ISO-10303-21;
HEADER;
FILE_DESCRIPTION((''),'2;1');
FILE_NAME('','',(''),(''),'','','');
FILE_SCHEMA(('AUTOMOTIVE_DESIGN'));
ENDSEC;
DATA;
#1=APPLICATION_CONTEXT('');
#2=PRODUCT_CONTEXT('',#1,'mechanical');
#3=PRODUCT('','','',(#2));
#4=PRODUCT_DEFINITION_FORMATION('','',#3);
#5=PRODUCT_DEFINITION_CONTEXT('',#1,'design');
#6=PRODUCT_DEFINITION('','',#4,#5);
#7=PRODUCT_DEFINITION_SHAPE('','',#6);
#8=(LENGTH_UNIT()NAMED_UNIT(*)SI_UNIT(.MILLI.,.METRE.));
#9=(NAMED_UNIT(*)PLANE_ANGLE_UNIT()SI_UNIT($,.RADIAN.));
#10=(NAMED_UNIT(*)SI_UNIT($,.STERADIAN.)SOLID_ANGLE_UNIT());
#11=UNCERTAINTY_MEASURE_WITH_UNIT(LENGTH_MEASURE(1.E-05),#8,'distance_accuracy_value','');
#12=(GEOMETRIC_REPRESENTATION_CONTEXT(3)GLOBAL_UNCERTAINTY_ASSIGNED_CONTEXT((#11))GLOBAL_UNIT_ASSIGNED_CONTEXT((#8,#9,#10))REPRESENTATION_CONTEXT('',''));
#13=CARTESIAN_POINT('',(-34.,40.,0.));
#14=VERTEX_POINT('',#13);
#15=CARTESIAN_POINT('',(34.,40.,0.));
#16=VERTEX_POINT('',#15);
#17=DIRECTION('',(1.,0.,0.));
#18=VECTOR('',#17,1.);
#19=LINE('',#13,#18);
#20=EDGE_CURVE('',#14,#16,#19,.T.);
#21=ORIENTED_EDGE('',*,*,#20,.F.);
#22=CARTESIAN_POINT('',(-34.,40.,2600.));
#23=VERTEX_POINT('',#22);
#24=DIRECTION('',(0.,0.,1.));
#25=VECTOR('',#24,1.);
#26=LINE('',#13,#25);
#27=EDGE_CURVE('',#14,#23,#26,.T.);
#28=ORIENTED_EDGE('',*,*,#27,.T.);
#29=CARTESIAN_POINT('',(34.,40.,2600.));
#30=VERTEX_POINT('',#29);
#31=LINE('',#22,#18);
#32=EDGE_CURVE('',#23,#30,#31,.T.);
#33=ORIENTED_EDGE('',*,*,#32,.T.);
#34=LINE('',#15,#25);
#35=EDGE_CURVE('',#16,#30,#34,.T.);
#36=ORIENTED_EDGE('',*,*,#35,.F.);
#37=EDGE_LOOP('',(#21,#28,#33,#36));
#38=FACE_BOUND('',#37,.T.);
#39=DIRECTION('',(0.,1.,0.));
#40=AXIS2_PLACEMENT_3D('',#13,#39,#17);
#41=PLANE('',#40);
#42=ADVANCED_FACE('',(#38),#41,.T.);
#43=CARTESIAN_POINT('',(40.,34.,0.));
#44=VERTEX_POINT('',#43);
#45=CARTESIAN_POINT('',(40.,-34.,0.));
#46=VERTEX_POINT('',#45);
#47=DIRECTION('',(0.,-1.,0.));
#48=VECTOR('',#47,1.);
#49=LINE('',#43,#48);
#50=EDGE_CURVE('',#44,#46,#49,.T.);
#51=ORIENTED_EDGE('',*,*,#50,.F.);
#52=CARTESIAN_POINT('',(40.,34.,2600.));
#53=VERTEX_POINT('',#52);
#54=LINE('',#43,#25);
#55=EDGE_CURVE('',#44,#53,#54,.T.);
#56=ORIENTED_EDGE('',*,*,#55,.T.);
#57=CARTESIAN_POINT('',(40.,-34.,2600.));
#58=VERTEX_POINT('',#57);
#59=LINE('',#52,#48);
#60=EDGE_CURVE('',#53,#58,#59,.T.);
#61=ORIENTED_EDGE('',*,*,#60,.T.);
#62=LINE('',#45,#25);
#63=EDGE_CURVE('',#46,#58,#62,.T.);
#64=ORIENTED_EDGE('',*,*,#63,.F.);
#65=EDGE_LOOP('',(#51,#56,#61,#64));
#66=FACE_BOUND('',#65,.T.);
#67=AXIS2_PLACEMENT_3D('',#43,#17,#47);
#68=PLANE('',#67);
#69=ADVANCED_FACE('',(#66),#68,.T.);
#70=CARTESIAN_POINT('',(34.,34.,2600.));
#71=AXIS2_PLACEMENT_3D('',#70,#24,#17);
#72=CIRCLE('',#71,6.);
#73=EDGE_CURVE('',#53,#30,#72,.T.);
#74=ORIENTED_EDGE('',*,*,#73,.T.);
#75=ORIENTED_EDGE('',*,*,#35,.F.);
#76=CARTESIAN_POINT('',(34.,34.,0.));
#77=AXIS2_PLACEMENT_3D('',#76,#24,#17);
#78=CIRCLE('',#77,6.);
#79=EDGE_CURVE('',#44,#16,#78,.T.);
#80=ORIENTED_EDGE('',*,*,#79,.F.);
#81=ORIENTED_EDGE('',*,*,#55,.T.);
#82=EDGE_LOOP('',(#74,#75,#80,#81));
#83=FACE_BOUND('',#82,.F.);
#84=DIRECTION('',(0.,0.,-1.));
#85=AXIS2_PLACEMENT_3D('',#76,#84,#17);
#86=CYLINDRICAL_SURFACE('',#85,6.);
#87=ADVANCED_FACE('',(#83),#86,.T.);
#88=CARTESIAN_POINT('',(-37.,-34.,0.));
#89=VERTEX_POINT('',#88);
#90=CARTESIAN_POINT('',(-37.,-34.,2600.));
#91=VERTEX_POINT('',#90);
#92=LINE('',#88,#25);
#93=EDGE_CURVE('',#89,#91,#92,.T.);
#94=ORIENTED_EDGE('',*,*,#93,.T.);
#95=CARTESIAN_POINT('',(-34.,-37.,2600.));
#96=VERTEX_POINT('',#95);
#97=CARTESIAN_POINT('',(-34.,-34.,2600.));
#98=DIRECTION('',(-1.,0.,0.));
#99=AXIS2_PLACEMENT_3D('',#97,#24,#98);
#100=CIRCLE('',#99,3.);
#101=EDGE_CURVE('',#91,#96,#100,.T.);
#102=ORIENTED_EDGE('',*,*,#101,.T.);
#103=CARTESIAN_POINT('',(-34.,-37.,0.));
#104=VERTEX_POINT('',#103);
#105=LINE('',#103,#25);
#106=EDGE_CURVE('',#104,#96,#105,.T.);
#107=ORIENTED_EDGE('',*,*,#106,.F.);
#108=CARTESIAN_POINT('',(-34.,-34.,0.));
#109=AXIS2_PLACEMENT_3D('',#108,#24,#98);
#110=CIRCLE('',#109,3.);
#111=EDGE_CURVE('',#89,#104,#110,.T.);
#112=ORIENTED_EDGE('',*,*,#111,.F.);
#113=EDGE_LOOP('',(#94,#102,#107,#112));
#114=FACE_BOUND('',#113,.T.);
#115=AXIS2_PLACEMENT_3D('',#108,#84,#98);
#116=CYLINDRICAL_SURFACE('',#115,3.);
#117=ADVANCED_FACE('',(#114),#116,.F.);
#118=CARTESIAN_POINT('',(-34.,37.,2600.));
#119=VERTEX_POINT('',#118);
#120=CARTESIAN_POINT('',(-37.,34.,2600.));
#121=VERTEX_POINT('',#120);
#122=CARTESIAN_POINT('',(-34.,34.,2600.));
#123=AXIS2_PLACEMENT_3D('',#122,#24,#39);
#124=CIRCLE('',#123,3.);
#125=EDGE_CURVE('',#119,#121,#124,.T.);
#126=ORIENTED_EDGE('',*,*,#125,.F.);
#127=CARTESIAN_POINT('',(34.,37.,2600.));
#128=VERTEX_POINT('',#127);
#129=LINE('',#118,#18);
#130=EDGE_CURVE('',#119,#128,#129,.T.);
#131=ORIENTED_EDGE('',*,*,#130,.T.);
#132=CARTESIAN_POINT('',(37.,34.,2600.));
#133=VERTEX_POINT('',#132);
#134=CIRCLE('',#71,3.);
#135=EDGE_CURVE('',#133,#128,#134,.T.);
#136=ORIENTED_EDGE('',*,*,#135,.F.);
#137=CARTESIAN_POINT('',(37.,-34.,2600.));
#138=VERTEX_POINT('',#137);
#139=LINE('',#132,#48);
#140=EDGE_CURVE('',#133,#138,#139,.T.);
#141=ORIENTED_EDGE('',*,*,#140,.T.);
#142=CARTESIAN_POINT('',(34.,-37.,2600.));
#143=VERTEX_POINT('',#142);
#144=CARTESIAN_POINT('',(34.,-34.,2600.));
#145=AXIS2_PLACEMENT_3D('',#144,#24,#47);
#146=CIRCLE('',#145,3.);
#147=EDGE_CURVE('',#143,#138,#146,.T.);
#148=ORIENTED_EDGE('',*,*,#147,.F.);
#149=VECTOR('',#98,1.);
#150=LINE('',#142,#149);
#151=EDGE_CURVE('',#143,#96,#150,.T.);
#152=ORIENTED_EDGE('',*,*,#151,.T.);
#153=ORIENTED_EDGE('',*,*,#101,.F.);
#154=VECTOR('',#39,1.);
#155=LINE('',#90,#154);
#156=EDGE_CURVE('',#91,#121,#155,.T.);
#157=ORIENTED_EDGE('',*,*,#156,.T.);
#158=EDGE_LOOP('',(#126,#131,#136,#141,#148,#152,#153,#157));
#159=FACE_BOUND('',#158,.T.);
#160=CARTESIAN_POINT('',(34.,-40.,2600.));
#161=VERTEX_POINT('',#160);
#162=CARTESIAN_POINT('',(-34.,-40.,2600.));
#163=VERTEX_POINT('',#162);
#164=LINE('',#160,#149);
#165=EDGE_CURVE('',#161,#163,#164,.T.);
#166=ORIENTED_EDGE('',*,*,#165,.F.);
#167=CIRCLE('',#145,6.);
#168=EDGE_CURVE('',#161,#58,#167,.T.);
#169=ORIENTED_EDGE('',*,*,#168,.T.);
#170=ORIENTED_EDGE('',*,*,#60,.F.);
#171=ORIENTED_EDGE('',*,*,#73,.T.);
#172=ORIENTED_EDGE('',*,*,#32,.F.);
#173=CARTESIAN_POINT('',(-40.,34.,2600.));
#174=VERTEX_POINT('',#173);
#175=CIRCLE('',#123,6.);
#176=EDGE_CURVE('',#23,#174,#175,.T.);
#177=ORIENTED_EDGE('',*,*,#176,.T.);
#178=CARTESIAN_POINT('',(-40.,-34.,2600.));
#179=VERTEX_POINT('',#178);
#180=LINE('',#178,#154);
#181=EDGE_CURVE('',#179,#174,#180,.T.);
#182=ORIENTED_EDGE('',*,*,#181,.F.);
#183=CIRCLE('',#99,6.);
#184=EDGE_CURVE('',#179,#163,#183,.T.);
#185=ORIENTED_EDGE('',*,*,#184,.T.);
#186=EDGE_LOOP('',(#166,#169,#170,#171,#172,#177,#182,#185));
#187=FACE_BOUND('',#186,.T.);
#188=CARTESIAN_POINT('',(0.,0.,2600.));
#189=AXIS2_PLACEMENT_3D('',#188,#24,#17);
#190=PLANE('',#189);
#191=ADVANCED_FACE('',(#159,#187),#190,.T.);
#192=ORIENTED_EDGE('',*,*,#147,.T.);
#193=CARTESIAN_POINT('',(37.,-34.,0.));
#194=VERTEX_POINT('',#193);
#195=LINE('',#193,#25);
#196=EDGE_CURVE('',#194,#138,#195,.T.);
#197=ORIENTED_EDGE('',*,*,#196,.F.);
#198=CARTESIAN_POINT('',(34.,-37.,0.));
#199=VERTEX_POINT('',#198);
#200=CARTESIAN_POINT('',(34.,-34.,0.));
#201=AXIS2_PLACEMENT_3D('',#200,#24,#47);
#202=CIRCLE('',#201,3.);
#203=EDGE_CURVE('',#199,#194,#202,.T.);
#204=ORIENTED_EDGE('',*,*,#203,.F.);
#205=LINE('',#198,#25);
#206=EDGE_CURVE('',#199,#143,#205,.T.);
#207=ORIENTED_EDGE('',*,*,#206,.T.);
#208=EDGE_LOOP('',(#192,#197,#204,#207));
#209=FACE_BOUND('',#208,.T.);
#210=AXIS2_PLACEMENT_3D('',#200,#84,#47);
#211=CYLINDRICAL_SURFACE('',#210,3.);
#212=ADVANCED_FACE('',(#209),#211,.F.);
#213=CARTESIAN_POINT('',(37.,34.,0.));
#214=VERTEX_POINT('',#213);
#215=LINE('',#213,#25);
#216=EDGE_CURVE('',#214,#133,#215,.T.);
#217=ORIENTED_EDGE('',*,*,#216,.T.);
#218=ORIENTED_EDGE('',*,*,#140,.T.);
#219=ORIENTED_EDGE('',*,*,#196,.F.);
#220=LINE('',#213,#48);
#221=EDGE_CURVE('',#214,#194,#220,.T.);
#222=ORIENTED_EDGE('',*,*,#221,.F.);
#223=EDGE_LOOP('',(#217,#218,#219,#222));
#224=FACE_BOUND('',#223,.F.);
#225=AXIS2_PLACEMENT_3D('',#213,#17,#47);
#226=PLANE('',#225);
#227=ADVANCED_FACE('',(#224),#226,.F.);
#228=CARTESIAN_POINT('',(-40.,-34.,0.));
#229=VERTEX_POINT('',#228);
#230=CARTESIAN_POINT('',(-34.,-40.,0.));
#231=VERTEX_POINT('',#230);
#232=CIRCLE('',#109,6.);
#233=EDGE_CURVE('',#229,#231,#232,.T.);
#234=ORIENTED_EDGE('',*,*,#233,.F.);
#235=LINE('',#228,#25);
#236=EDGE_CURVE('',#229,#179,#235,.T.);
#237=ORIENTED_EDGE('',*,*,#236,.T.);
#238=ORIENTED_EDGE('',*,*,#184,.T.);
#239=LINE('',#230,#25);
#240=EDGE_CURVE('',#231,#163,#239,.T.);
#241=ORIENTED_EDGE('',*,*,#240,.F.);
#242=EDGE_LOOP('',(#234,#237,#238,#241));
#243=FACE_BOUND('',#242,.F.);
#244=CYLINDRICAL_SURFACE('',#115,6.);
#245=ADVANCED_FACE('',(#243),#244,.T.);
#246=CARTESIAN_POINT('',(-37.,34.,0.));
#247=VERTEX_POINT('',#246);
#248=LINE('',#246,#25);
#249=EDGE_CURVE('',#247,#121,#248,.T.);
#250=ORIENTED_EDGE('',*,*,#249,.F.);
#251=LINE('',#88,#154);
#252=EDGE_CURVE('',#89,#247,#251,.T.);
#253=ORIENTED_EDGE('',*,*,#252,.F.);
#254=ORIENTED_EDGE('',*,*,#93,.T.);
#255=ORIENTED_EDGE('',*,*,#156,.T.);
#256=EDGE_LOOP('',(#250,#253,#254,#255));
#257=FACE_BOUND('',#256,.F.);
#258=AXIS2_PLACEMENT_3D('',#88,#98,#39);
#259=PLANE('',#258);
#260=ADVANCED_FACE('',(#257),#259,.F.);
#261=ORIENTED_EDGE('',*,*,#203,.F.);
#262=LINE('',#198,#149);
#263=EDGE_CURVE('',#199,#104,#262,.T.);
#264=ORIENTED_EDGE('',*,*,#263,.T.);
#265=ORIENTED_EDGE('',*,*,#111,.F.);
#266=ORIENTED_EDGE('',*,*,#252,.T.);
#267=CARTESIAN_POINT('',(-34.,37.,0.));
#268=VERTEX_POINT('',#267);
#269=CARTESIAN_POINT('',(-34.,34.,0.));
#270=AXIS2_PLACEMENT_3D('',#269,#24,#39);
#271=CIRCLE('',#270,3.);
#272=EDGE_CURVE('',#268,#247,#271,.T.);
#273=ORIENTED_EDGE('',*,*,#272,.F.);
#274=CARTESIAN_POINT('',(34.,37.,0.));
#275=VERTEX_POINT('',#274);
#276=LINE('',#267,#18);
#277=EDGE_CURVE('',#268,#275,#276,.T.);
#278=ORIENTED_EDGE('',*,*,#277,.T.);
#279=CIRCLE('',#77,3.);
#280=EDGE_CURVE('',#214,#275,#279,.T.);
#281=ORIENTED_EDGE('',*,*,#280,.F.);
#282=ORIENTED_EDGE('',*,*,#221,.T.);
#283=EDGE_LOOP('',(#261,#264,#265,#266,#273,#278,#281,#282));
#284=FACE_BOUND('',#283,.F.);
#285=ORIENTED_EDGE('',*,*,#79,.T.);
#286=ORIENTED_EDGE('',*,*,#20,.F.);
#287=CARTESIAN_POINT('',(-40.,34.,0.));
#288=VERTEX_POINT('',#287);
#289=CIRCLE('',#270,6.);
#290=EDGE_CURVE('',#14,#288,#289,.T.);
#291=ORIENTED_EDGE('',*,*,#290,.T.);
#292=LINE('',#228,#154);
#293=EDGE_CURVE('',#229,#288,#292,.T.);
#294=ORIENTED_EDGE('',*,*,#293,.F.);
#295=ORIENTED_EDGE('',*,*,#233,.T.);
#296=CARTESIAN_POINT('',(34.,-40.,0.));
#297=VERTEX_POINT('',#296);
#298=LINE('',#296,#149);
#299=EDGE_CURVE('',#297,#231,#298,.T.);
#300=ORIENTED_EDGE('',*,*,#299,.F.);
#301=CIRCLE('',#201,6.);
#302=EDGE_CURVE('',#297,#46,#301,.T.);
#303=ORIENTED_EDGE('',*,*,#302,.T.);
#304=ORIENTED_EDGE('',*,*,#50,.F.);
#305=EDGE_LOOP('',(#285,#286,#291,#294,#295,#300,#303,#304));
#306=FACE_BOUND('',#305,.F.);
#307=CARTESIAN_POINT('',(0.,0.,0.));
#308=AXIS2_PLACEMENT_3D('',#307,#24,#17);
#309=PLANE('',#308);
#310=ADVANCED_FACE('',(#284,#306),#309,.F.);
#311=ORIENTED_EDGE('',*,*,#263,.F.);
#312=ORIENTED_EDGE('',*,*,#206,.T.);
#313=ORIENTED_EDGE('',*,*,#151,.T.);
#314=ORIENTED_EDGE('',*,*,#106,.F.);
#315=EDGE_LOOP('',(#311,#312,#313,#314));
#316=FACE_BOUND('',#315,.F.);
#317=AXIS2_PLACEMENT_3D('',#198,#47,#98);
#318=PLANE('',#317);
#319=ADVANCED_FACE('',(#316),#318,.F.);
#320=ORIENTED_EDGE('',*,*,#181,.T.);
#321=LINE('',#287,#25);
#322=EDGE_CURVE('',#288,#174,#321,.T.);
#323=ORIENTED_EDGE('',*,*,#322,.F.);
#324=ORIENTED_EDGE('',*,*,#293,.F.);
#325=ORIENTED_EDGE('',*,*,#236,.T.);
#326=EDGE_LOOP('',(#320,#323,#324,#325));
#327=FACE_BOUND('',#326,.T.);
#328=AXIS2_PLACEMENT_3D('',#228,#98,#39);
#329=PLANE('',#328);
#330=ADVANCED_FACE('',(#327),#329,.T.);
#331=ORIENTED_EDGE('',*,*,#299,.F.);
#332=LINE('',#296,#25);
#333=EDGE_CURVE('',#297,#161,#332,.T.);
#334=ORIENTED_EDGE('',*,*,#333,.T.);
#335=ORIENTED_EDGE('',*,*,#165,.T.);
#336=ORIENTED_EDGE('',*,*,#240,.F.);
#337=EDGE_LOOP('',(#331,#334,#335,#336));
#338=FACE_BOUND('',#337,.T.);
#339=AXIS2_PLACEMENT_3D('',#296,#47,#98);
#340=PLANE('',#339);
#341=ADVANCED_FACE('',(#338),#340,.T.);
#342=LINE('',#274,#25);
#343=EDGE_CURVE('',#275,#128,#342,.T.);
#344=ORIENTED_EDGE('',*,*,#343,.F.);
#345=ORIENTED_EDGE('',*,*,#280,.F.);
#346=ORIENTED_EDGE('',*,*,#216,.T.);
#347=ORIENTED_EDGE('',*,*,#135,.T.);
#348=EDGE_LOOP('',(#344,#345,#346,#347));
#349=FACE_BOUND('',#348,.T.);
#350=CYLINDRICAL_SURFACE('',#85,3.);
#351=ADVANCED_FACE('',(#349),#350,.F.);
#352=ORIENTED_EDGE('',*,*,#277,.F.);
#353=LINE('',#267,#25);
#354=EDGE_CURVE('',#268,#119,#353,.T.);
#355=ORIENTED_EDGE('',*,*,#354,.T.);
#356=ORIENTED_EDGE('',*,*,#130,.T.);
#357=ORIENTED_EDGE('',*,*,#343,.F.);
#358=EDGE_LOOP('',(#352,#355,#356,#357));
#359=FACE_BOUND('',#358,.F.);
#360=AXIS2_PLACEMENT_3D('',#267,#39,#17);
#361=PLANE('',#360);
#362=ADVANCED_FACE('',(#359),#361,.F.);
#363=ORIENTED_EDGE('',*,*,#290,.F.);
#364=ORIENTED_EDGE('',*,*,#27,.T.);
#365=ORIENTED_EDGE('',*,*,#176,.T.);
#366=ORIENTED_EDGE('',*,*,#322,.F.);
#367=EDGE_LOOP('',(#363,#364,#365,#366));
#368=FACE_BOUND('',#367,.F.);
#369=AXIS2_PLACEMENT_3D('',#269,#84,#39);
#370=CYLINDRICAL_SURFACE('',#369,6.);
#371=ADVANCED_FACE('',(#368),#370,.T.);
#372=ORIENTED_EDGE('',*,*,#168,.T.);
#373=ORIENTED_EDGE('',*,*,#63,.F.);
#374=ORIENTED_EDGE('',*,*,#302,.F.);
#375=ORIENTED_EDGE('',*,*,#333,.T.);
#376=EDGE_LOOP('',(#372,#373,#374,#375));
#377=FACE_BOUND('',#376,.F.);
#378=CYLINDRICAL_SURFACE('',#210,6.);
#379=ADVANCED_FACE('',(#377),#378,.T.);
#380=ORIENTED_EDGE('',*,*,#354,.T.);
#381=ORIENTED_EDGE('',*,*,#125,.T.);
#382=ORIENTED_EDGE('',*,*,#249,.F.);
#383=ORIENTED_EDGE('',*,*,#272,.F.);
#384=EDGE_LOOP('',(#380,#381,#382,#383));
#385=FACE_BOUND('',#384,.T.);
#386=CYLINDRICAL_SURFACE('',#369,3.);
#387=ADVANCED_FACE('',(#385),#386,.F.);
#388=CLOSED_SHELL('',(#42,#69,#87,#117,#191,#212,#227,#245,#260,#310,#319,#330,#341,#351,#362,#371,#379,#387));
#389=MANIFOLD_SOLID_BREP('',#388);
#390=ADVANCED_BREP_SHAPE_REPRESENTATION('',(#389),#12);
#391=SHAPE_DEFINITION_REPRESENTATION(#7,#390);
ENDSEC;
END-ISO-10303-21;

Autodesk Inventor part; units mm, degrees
ref_plane "YZ Plane" through (0, 0, 0) normal (1, 0, 0) x (0, 1, 0)
ref_plane "Start plane" through (0, 0, 0) normal (0, 0, 1) x (1, 0, 0)
ref_plane "End plane" through (0, 0, 2600) normal (0, 0, 1) x (1, 0, 0)
sketch "Sketch" plane through (0, 0, 0) normal (0, 0, 1) x (1, 0, 0)
  line L0 (-40, -34) -> (-40, 34)
  line L1 (-34, 40) -> (34, 40)
  line L2 (40, 34) -> (40, -34)
  line L3 (34, -40) -> (-34, -40)
  arc A0 (-40, -34) -> (-34, -40) centre (-34, -34) ccw
  arc A1 (40, 34) -> (34, 40) centre (34, 34) ccw
  arc A2 (-34, 40) -> (-40, 34) centre (-34, 34) ccw
  arc A3 (34, -40) -> (40, -34) centre (34, -34) ccw
  arc A4 (-34, 37) -> (-37, 34) centre (-34, 34) ccw
  line L4 (-34, 37) -> (34, 37)
  arc A5 (37, 34) -> (34, 37) centre (34, 34) ccw
  line L5 (37, 34) -> (37, -34)
  arc A6 (34, -37) -> (37, -34) centre (34, -34) ccw
  line L6 (34, -37) -> (-34, -37)
  arc A7 (-37, -34) -> (-34, -37) centre (-34, -34) ccw
  line L7 (-37, -34) -> (-37, 34)
  line L8 (0, 71.7397) -> (0, -71.7397) construction
  line L9 (-71.7397, 0) -> (71.7397, 0) construction
  dimension "d7" = 6
  dimension "d9" = 80
  dimension "d11" = 80
  dimension "d12" = 3
  dimension "d15" = 40
  dimension "d16" = 40
extrude "Body" add sketch "Sketch" along normal up to surface (2600 mm away) from surface at 0
sketch "Sketch3" plane through (0, 0, 0) normal (0, 0, 1) x (1, 0, 0)
  line L0 (0, 0) -> (10, 0)
ref_plane "Work Plane3" through (0, 0, 0) normal (0, -1, 0) x (1, 0, 0)
sketch "Sketch4" plane through (0, 0, 0) normal (0, -1, 0) x (1, 0, 0)
  line L0 (-2, 0) -> (12, 0) projected
  line L1 (-2, 2600) -> (12, 2600) projected
  dimension "d18" = 2600
equation "\"d7\" = G_IR"
equation "\"d9\" = G_W"
equation "\"d11\" = G_H"
equation "\"d12\" = G_T"
equation "\"d15\" = 0.5 * d9"
equation "\"d16\" = 0.5 * d11"
equation "\"d3\" = G_L"
equation "\"G_W\" = 80"
equation "\"G_H\" = 80"
equation "\"G_T\" = 3"
equation "\"G_IR\" = 6"
equation "\"G_L\" = d18"
equation "\"G_OFFSET_START\" = 0"
equation "\"G_OFFSET_END\" = 0"
properties part number "ISO 10799-2 - 80x80x3 - 2600" material "Steel, Mild"
